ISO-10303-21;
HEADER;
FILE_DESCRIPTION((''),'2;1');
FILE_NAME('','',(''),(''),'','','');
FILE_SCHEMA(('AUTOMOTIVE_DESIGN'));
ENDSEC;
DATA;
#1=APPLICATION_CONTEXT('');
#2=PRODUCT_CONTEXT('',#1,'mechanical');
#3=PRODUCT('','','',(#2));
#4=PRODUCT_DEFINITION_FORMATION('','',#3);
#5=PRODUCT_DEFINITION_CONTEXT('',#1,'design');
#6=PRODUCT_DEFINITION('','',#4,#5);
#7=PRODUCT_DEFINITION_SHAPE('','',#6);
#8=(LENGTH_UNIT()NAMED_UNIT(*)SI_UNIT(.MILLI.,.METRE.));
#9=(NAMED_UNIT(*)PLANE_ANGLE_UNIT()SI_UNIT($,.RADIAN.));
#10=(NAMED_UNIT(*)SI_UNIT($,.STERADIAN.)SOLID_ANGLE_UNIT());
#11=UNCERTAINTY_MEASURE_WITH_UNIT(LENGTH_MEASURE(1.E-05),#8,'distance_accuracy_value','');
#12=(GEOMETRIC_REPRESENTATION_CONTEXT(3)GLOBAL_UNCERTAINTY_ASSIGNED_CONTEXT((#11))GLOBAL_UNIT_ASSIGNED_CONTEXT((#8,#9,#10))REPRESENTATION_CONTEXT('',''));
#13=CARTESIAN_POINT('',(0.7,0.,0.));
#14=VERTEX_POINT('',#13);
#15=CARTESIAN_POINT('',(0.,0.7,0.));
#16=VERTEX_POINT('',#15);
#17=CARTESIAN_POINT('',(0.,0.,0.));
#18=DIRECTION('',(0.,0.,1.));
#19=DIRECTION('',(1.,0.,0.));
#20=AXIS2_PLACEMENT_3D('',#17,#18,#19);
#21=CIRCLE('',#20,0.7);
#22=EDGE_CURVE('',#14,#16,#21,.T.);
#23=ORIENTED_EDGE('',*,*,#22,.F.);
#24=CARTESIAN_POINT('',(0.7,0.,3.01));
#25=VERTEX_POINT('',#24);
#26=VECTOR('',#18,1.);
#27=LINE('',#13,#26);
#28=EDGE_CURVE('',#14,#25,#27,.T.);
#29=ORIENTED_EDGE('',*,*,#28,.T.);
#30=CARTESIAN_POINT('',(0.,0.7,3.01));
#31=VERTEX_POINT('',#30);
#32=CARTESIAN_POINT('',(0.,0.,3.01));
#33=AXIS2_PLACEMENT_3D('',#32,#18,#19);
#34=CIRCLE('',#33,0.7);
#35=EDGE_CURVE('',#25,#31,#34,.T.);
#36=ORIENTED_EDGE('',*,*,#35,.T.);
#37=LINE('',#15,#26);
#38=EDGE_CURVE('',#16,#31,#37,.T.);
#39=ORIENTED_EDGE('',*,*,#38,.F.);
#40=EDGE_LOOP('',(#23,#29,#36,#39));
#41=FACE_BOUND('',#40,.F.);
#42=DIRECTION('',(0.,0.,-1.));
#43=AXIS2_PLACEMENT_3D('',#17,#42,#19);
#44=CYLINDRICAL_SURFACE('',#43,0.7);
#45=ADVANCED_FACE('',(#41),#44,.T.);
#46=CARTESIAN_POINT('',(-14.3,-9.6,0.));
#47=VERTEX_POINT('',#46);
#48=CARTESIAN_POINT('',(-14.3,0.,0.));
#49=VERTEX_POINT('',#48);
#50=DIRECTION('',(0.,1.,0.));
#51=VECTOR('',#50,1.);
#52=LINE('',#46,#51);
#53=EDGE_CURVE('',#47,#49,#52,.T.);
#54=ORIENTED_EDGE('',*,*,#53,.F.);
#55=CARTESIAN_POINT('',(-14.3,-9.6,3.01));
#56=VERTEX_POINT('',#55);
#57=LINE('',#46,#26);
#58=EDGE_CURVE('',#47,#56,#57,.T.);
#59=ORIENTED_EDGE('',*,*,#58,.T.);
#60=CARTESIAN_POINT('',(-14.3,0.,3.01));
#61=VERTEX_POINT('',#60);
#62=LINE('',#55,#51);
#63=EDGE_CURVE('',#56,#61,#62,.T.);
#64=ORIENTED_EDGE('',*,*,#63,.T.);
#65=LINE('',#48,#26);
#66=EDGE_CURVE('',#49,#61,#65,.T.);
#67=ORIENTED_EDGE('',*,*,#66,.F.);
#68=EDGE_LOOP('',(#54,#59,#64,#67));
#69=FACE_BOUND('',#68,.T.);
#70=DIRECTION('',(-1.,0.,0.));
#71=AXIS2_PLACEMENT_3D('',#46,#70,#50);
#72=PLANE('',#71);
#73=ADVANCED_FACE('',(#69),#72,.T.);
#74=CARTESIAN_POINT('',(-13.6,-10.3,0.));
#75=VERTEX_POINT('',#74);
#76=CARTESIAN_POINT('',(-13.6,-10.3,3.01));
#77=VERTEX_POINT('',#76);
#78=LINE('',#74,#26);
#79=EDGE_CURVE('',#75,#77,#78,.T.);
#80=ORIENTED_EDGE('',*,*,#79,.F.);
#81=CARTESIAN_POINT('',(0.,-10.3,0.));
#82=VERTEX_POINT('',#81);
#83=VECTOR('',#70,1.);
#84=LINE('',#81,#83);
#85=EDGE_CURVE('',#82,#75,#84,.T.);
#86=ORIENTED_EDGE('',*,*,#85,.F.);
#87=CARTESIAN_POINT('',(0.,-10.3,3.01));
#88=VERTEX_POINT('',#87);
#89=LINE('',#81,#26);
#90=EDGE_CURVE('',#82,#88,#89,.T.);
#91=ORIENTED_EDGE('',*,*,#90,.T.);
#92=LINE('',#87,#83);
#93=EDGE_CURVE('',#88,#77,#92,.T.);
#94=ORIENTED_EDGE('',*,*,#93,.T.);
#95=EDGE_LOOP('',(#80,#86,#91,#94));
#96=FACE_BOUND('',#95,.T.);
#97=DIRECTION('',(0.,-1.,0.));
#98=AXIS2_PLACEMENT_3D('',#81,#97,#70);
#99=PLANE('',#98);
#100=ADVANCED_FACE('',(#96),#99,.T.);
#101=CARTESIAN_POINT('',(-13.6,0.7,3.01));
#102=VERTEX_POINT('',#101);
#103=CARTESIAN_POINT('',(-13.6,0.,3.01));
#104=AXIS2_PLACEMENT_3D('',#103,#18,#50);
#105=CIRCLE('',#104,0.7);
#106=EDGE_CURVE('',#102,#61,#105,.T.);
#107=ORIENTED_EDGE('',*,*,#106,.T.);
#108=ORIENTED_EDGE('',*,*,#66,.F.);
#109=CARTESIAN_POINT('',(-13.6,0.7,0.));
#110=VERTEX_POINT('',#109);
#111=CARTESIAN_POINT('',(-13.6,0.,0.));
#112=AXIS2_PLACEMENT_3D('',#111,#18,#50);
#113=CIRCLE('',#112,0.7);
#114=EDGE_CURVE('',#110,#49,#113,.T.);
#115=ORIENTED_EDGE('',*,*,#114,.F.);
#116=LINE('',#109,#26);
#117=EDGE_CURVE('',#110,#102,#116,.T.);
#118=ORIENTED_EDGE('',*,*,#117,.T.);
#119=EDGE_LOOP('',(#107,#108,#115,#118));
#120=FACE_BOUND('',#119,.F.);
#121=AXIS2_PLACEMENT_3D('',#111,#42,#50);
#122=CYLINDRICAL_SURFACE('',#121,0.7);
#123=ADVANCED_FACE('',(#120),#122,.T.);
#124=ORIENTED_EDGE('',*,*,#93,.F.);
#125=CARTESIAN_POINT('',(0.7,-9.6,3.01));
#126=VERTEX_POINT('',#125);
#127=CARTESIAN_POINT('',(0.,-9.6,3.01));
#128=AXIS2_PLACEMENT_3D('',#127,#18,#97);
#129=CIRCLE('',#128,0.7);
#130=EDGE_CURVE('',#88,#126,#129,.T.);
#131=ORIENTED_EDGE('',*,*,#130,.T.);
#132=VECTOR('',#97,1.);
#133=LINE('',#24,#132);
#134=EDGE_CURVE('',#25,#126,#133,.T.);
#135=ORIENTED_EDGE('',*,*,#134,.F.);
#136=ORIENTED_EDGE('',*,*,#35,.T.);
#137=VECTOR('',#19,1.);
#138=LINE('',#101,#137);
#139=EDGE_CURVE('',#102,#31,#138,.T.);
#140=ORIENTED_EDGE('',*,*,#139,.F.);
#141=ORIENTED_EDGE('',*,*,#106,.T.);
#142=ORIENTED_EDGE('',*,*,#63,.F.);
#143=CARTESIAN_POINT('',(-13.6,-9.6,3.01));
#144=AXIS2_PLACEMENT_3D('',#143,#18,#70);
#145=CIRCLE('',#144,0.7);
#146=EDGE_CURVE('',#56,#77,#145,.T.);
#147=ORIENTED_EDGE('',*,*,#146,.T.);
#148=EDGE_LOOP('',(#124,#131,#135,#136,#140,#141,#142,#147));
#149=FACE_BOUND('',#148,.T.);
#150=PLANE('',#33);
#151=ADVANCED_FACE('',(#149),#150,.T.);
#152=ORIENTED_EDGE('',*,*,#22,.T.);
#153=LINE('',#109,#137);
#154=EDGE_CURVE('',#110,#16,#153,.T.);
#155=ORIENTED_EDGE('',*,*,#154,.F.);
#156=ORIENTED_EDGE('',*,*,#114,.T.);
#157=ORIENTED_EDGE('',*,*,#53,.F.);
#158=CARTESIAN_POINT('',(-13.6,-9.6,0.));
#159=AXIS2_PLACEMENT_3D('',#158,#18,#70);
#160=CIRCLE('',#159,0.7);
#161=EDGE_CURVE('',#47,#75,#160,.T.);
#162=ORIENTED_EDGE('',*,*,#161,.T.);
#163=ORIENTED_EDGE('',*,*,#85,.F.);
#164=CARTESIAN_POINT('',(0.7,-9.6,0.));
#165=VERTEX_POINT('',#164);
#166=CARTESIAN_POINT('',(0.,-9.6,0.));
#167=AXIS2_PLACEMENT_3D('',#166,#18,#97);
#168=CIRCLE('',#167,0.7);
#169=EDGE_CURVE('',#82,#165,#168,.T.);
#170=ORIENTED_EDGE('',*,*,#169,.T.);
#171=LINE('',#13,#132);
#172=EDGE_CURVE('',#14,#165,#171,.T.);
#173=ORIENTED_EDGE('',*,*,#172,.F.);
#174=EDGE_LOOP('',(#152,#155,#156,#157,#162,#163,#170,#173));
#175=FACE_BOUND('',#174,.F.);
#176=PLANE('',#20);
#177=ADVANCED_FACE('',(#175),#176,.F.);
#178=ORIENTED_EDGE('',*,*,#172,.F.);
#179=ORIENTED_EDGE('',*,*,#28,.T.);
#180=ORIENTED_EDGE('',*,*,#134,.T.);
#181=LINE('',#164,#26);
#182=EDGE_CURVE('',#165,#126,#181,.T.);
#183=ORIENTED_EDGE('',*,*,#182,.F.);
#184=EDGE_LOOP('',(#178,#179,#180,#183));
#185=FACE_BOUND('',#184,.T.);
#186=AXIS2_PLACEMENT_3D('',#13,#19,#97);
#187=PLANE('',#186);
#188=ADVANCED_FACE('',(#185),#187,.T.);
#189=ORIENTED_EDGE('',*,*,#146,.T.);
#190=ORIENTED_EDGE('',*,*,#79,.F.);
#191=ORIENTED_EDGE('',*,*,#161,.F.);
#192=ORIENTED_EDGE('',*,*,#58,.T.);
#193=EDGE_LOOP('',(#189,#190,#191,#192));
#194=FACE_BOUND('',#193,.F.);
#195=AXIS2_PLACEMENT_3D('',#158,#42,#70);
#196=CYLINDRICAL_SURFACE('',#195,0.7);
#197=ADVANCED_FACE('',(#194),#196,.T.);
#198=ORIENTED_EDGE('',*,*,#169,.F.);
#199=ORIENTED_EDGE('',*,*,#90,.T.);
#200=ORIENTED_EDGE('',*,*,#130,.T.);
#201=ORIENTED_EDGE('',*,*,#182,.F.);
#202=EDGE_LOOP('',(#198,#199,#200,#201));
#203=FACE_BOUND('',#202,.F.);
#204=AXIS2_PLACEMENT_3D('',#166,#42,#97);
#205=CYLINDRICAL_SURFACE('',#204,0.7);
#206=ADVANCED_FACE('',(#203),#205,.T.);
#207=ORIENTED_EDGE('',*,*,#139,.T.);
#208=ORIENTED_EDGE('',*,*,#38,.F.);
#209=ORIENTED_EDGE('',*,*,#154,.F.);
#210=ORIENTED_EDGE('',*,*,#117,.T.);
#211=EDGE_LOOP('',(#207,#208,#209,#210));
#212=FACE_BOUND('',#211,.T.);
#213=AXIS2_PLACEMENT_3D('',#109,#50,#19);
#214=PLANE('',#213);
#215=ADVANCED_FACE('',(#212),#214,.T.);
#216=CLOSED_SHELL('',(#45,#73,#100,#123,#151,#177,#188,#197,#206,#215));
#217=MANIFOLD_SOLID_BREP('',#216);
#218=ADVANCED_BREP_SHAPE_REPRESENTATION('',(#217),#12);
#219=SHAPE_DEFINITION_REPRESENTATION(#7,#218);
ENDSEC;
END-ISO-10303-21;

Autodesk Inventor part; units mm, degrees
ref_plane "YZ Plane" through (0, 0, 0) normal (1, 0, 0) x (0, 1, 0)
ref_plane "XZ Plane" through (0, 0, 0) normal (0, 1, 0) x (-1, 0, 0)
ref_plane "XY Plane" through (0, 0, 0) normal (0, 0, 1) x (1, 0, 0)
ref_plane "Work Plane1" through (0, 0, 0) normal (0, 0, 1) x (1, 0, 0)
sketch "Sketch1" plane through (0, 0, 0) normal (0, 0, 1) x (1, 0, 0)
  line L0 (-13.1, -2.25) -> (-13.1, -7.35) projected
  arc A0 (-13.6, 0.7) -> (-14.3, 0) centre (-13.6, 0) ccw projected
  line L1 (-13.6, 0.7) -> (0, 0.7) projected
  arc A1 (0.7, 0) -> (0, 0.7) centre (0, 0) ccw projected
  line L2 (0.7, 0) -> (0.7, -9.6) projected
  arc A2 (0, -10.3) -> (0.7, -9.6) centre (0, -9.6) ccw projected
  line L3 (0, -10.3) -> (-13.6, -10.3) projected
  arc A3 (-14.3, -9.6) -> (-13.6, -10.3) centre (-13.6, -9.6) ccw projected
  line L4 (-14.3, -9.6) -> (-14.3, 0) projected
  line L5 (-2.25, -9.1) -> (-11.35, -9.1) projected
  arc A4 (-2.25, -9.1) -> (-0.5, -7.35) centre (-2.25, -7.35) ccw projected
  line L6 (-0.5, -2.25) -> (-0.5, -7.35) projected
  arc A5 (-0.5, -2.25) -> (-2.25, -0.5) centre (-2.25, -2.25) ccw projected
  line L7 (-11.35, -0.5) -> (-2.25, -0.5) projected
  arc A6 (-11.35, -0.5) -> (-13.1, -2.25) centre (-11.35, -2.25) ccw projected
  line L8 (-13.1, -7.35) -> (-13.1, -2.25) projected
  arc A7 (-13.1, -7.35) -> (-11.35, -9.1) centre (-11.35, -7.35) ccw projected
  point P0 (0, 0)
extrude "Extrusion1" add sketch "Sketch1" along normal blind 3.01 contours A6 L7 A5 L6 A4 L5 A7 L0 | L1 A1 L2 A2 L3 A3 L4 A0
properties part number "LS2_LEDs_patch"
